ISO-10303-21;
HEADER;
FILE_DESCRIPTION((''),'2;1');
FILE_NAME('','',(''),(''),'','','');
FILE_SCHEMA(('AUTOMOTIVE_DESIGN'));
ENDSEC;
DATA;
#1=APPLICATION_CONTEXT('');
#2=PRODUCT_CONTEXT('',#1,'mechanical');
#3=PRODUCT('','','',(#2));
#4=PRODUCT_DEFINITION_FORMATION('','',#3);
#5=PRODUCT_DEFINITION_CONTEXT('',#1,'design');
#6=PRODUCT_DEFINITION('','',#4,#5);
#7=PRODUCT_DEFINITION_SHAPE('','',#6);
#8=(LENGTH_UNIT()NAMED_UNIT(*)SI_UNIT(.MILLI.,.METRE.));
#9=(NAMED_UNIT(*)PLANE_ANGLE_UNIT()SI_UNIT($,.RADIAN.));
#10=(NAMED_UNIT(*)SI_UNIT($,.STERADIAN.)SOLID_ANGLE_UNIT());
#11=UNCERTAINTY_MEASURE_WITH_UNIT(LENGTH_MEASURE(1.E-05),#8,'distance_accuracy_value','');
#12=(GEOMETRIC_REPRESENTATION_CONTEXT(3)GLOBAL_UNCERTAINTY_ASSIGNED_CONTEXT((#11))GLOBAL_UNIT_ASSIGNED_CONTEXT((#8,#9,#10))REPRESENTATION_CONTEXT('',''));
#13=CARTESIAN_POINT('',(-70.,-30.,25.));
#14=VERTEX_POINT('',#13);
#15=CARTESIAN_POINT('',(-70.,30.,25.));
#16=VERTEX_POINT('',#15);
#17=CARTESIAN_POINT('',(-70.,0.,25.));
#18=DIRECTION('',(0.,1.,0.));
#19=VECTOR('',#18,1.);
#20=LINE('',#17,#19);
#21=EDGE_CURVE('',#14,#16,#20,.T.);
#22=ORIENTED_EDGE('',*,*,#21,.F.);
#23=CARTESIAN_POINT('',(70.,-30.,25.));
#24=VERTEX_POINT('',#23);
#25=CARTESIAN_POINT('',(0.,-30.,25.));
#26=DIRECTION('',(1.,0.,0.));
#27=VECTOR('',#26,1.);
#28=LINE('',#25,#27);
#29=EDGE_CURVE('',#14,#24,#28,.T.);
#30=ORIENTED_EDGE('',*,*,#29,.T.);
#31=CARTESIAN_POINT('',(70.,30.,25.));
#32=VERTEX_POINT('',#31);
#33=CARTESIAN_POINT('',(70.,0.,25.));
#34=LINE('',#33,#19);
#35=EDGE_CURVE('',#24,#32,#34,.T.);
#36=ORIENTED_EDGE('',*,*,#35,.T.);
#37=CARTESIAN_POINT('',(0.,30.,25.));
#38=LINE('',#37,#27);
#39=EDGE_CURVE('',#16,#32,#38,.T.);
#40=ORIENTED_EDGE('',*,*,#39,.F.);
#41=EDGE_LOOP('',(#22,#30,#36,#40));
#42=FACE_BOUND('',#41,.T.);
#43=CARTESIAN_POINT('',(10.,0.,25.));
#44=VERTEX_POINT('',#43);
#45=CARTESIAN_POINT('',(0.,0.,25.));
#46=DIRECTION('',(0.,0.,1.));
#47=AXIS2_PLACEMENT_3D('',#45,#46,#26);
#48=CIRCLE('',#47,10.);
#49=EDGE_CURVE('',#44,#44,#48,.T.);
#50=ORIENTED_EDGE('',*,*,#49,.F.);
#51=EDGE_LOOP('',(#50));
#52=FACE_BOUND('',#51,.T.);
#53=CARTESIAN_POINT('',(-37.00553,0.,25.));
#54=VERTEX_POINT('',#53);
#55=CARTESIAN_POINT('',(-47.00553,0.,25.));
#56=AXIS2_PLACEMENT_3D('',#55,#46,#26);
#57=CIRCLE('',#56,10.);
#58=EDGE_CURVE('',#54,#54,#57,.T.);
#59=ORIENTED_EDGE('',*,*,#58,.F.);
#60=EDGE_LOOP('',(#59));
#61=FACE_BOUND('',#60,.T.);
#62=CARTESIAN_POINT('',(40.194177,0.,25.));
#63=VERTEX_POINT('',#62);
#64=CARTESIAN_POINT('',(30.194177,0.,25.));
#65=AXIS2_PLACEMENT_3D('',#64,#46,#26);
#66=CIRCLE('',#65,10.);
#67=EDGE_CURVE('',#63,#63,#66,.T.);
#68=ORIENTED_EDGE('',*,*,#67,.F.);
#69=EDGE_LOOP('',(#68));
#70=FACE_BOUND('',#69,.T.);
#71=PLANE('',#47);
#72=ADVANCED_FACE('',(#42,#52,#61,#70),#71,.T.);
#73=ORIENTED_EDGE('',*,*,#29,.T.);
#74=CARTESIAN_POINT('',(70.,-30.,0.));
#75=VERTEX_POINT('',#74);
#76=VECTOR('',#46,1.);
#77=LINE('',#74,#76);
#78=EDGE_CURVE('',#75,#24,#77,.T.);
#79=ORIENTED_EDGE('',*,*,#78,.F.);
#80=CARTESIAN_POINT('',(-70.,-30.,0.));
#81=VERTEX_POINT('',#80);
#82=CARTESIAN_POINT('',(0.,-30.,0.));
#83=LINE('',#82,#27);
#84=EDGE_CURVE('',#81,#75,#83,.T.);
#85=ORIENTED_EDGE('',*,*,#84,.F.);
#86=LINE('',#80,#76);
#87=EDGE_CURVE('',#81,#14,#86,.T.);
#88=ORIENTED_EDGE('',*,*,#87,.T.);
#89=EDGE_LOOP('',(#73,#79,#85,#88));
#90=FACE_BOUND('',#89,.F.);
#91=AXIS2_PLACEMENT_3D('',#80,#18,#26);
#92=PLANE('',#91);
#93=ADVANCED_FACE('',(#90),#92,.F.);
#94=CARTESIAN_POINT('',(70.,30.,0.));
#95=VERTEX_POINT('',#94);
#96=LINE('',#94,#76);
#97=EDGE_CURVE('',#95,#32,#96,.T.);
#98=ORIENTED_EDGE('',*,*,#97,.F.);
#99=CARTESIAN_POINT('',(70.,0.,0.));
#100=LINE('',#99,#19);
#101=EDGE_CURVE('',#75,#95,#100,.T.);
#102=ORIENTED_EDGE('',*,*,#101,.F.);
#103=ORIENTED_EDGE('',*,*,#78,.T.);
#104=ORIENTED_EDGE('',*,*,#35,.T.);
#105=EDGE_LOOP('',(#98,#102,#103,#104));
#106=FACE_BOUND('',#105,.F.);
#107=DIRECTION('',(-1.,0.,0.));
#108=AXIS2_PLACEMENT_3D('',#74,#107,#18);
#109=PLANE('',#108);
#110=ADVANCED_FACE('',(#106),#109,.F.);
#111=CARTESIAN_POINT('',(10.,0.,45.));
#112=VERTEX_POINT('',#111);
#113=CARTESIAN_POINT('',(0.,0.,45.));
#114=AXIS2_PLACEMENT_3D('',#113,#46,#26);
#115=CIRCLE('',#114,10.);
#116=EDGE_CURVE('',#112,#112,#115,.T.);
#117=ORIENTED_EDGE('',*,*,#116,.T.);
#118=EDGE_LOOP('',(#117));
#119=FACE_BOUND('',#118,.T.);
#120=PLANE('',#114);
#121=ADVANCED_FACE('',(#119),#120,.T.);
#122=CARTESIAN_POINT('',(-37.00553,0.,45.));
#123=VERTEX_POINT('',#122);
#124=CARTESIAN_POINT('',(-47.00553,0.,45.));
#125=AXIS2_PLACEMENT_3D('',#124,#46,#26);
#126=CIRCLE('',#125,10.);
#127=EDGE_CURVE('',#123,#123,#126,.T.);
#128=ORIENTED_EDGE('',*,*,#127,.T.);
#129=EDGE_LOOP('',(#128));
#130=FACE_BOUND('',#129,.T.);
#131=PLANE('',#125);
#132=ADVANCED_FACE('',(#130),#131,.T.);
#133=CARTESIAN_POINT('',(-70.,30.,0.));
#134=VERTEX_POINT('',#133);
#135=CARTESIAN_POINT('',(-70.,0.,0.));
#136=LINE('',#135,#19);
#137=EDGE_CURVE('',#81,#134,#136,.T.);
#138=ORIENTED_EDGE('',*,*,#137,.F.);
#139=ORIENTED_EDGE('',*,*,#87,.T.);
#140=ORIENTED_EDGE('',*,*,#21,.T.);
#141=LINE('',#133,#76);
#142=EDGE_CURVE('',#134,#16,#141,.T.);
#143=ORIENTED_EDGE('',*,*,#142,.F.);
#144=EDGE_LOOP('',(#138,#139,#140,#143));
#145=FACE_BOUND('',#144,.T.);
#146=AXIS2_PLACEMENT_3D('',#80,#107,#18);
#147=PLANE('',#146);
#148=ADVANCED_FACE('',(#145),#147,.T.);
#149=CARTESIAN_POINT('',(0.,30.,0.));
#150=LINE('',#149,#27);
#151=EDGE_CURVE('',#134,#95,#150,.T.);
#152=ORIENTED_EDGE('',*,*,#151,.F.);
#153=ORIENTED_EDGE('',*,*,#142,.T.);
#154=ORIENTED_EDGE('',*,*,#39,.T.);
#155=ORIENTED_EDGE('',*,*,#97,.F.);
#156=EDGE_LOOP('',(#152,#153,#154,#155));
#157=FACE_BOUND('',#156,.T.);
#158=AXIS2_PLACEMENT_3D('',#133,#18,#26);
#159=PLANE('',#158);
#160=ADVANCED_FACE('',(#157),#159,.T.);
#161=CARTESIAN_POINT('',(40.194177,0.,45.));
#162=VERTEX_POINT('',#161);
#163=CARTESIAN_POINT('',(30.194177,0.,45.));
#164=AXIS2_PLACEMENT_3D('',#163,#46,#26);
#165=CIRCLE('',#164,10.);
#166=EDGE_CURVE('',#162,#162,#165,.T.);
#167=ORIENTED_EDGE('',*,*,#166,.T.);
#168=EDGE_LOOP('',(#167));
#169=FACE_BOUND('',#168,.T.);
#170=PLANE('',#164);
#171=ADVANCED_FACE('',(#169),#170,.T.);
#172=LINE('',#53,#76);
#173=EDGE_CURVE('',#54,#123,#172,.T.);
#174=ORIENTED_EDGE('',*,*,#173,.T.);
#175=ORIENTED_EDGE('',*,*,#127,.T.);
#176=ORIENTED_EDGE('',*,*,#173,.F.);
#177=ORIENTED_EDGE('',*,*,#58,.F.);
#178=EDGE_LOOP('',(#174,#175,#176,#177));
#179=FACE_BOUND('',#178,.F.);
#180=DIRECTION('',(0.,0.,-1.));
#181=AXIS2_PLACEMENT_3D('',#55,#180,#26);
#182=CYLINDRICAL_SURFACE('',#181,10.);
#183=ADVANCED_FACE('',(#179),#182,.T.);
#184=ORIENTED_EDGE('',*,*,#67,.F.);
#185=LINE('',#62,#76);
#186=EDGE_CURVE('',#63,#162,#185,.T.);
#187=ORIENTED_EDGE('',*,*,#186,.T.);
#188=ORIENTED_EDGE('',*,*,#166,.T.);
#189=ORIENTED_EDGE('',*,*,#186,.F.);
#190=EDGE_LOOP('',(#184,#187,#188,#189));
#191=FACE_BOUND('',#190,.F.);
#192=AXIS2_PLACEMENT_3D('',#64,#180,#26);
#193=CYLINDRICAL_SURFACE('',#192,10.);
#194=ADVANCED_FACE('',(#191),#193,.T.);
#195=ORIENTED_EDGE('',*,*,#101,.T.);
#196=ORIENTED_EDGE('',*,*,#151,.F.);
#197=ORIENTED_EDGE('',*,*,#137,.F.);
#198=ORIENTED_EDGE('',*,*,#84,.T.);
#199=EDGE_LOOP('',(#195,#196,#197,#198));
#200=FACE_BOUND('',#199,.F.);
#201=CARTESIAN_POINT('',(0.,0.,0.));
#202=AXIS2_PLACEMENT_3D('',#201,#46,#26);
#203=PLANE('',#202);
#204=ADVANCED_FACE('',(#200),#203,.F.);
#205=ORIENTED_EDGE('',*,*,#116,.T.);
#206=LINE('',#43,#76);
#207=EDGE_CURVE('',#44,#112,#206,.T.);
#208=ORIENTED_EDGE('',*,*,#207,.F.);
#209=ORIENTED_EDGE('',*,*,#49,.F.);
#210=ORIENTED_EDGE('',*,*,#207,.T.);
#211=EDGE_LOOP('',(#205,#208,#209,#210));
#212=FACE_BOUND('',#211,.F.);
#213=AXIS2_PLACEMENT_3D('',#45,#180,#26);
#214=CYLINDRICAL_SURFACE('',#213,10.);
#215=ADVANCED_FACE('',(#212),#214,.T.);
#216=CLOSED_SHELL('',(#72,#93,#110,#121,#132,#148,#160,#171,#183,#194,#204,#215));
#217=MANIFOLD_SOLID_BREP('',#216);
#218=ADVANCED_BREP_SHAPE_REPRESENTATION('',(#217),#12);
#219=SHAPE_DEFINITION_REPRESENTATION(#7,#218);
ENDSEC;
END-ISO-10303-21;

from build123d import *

# Parameters (mm, degrees)
F0_W     = 140
F0_H     = 60
F1_DEPTH = 25
F2_R     = 10
F5_DEPTH = 20
F3_R     = 10
F6_DEPTH = 20
F4_R     = 10
F7_DEPTH = 20


with BuildPart() as f1:
    # F0 (on Top) → F1 (new body)
    with BuildSketch(Plane.XY):
        Rectangle(F0_W, F0_H)
    extrude(amount=F1_DEPTH)

    # F2 (on face) → F5 (join)
    with BuildSketch(Plane.XY.offset(25)):
        with Locations((-47.00553, 0)):
            Circle(F2_R)
    extrude(amount=F5_DEPTH)

    # F3 (on face) → F6 (join)
    with BuildSketch(Plane.XY.offset(25)):
        Circle(F3_R)
    extrude(amount=F6_DEPTH)

    # F4 (on face) → F7 (join)
    with BuildSketch(Plane.XY.offset(25)):
        with Locations((30.194177, 0)):
            Circle(F4_R)
    extrude(amount=F7_DEPTH)


solid = f1.part
